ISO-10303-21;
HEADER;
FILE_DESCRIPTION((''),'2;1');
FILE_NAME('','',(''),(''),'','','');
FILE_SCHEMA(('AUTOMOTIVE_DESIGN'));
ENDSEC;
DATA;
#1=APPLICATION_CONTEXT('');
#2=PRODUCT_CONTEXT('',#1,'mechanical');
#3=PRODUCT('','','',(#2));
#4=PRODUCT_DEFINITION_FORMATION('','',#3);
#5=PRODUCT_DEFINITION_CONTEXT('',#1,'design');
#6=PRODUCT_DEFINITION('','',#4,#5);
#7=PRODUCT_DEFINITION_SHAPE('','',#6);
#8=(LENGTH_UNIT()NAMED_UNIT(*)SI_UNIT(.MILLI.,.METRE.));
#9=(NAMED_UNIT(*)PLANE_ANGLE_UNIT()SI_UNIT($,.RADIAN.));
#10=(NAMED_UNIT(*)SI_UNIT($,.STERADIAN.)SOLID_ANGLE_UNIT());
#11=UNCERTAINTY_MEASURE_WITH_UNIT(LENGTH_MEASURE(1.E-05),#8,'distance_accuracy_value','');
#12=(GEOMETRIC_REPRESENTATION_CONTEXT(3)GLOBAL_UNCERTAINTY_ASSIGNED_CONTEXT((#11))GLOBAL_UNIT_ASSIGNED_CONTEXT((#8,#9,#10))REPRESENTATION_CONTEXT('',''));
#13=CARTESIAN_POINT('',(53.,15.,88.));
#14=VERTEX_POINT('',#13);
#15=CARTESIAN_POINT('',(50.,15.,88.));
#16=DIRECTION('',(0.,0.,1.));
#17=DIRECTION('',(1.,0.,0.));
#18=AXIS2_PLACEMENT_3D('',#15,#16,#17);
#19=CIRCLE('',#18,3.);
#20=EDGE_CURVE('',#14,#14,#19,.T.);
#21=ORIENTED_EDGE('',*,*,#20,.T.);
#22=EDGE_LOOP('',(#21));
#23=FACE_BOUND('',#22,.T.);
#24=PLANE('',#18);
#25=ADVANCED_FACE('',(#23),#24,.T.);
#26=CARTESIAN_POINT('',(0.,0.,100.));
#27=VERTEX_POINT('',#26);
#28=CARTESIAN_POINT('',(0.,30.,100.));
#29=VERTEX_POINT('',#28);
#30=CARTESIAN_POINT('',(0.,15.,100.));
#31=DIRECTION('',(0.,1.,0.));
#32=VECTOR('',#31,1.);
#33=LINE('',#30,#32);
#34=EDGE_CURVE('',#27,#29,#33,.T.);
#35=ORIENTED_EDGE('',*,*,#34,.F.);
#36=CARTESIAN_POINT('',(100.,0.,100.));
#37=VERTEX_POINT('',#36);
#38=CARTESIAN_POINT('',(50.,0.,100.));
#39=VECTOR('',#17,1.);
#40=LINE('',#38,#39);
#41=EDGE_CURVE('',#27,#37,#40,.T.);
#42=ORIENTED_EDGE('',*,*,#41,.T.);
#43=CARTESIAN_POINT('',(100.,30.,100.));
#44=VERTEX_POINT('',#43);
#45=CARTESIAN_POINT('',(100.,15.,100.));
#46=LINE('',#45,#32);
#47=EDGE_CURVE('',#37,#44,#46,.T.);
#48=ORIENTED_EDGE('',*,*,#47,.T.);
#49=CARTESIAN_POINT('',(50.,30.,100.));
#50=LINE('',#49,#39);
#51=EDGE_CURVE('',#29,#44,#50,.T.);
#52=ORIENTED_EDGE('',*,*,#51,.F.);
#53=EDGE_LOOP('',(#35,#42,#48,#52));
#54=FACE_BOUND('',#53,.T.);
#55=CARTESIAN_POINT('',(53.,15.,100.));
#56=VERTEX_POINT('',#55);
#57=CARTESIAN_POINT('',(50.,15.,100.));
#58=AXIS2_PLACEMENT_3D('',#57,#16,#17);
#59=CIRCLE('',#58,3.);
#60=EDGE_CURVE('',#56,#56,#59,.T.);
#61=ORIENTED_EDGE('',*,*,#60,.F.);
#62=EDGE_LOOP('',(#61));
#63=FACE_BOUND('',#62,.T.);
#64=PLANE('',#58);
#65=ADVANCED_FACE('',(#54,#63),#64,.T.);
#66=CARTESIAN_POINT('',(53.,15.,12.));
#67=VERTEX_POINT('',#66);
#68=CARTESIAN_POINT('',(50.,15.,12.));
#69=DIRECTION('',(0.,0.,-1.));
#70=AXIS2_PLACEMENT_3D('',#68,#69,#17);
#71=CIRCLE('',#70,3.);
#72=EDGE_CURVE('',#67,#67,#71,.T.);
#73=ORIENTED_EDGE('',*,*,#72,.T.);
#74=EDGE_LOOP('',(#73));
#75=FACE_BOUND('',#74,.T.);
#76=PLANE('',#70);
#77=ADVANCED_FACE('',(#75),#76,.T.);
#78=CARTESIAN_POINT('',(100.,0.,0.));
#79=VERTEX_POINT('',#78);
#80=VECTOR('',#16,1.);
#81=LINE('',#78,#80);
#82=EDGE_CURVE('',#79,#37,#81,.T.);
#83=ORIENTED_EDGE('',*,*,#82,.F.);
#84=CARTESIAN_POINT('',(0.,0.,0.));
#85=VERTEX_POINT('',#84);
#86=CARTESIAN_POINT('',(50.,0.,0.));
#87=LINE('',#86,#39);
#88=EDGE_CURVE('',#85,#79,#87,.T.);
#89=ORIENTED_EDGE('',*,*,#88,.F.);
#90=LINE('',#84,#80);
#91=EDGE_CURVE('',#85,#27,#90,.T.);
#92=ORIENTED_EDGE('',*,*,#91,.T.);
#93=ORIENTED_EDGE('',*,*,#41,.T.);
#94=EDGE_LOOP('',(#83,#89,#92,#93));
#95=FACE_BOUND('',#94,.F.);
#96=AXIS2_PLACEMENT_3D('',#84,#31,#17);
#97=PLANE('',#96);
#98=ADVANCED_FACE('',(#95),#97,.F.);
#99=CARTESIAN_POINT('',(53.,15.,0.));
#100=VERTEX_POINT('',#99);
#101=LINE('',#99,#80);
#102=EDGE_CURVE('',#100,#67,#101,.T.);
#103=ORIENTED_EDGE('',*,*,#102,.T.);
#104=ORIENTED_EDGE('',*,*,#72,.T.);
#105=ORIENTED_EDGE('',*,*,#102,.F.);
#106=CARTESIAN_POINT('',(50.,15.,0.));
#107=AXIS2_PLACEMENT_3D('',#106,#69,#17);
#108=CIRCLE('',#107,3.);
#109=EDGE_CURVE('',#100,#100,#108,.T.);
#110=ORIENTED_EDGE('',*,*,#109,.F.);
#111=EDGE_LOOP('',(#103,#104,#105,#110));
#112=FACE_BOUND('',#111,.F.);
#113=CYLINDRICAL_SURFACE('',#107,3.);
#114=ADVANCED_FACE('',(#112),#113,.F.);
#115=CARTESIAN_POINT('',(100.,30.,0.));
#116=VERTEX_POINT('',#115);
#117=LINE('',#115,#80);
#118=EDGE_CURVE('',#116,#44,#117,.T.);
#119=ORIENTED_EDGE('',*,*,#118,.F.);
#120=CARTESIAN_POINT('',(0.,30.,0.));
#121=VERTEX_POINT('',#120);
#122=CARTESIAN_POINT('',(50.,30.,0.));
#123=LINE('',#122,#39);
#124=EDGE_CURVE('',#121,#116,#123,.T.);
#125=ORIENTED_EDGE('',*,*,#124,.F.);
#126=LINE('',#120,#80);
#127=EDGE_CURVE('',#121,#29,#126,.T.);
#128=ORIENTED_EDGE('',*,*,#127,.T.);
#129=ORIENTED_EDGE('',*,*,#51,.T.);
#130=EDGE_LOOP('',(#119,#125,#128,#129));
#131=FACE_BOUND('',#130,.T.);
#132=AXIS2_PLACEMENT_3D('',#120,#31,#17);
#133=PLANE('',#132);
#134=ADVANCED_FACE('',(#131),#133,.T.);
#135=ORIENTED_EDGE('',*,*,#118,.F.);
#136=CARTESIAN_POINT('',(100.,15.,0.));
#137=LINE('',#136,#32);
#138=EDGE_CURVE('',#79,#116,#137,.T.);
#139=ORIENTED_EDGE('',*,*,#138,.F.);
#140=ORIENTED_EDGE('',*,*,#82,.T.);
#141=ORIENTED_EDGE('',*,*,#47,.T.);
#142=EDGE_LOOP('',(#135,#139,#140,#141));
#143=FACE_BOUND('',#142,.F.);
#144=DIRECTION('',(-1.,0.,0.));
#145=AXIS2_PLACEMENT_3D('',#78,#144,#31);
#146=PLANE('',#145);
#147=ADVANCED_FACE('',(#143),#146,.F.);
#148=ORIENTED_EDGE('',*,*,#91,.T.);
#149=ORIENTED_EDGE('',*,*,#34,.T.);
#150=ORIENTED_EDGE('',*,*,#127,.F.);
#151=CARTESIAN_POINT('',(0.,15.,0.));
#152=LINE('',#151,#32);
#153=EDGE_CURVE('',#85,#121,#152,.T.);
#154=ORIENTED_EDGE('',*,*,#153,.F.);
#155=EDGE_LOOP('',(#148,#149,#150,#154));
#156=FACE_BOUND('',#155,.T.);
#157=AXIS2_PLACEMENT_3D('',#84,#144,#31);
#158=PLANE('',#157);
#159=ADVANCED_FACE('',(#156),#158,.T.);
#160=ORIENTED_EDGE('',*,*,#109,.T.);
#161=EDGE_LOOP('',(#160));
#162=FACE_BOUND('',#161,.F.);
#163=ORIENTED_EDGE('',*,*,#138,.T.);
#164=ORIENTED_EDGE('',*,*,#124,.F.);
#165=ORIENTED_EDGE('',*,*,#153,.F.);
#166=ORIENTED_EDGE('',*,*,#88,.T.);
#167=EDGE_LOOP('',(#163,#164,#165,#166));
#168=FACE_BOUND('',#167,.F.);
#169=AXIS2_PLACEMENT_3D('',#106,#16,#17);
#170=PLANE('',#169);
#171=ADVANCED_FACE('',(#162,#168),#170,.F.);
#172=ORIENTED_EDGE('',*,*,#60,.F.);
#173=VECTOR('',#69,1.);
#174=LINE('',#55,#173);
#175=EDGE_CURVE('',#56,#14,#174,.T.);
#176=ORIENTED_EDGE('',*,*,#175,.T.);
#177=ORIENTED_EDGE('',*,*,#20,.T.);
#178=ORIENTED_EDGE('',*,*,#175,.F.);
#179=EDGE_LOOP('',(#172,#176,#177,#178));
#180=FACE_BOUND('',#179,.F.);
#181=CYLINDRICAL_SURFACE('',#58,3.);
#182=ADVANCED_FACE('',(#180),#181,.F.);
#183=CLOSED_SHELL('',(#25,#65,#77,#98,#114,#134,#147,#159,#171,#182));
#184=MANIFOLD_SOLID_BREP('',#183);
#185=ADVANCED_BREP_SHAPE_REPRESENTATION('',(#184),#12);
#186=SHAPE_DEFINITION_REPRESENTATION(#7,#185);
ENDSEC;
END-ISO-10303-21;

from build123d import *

# Parameters (mm, degrees)
F0_W     = 100
F0_H     = 30
F1_DEPTH = 100
F2_R     = 3
F3_DEPTH = 12
F4_R     = 3
F5_DEPTH = 12


with BuildPart() as f1:
    # F0 (on Top) → F1 (new body)
    with BuildSketch(Plane.XY):
        with Locations((50, 15)):
            Rectangle(F0_W, F0_H)
    extrude(amount=F1_DEPTH)

    # F2 (on face) → F3 (cut)
    with BuildSketch(Plane(origin=(0, 0, 0), x_dir=(1, 0, 0), z_dir=(0, 0, -1))):
        with Locations((50, -15)):
            Circle(F2_R)
    extrude(amount=-F3_DEPTH, mode=Mode.SUBTRACT)

    # F4 (on face) → F5 (cut)
    with BuildSketch(Plane.XY.offset(100)):
        with Locations((50, 15)):
            Circle(F4_R)
    extrude(amount=-F5_DEPTH, mode=Mode.SUBTRACT)


solid = f1.part
